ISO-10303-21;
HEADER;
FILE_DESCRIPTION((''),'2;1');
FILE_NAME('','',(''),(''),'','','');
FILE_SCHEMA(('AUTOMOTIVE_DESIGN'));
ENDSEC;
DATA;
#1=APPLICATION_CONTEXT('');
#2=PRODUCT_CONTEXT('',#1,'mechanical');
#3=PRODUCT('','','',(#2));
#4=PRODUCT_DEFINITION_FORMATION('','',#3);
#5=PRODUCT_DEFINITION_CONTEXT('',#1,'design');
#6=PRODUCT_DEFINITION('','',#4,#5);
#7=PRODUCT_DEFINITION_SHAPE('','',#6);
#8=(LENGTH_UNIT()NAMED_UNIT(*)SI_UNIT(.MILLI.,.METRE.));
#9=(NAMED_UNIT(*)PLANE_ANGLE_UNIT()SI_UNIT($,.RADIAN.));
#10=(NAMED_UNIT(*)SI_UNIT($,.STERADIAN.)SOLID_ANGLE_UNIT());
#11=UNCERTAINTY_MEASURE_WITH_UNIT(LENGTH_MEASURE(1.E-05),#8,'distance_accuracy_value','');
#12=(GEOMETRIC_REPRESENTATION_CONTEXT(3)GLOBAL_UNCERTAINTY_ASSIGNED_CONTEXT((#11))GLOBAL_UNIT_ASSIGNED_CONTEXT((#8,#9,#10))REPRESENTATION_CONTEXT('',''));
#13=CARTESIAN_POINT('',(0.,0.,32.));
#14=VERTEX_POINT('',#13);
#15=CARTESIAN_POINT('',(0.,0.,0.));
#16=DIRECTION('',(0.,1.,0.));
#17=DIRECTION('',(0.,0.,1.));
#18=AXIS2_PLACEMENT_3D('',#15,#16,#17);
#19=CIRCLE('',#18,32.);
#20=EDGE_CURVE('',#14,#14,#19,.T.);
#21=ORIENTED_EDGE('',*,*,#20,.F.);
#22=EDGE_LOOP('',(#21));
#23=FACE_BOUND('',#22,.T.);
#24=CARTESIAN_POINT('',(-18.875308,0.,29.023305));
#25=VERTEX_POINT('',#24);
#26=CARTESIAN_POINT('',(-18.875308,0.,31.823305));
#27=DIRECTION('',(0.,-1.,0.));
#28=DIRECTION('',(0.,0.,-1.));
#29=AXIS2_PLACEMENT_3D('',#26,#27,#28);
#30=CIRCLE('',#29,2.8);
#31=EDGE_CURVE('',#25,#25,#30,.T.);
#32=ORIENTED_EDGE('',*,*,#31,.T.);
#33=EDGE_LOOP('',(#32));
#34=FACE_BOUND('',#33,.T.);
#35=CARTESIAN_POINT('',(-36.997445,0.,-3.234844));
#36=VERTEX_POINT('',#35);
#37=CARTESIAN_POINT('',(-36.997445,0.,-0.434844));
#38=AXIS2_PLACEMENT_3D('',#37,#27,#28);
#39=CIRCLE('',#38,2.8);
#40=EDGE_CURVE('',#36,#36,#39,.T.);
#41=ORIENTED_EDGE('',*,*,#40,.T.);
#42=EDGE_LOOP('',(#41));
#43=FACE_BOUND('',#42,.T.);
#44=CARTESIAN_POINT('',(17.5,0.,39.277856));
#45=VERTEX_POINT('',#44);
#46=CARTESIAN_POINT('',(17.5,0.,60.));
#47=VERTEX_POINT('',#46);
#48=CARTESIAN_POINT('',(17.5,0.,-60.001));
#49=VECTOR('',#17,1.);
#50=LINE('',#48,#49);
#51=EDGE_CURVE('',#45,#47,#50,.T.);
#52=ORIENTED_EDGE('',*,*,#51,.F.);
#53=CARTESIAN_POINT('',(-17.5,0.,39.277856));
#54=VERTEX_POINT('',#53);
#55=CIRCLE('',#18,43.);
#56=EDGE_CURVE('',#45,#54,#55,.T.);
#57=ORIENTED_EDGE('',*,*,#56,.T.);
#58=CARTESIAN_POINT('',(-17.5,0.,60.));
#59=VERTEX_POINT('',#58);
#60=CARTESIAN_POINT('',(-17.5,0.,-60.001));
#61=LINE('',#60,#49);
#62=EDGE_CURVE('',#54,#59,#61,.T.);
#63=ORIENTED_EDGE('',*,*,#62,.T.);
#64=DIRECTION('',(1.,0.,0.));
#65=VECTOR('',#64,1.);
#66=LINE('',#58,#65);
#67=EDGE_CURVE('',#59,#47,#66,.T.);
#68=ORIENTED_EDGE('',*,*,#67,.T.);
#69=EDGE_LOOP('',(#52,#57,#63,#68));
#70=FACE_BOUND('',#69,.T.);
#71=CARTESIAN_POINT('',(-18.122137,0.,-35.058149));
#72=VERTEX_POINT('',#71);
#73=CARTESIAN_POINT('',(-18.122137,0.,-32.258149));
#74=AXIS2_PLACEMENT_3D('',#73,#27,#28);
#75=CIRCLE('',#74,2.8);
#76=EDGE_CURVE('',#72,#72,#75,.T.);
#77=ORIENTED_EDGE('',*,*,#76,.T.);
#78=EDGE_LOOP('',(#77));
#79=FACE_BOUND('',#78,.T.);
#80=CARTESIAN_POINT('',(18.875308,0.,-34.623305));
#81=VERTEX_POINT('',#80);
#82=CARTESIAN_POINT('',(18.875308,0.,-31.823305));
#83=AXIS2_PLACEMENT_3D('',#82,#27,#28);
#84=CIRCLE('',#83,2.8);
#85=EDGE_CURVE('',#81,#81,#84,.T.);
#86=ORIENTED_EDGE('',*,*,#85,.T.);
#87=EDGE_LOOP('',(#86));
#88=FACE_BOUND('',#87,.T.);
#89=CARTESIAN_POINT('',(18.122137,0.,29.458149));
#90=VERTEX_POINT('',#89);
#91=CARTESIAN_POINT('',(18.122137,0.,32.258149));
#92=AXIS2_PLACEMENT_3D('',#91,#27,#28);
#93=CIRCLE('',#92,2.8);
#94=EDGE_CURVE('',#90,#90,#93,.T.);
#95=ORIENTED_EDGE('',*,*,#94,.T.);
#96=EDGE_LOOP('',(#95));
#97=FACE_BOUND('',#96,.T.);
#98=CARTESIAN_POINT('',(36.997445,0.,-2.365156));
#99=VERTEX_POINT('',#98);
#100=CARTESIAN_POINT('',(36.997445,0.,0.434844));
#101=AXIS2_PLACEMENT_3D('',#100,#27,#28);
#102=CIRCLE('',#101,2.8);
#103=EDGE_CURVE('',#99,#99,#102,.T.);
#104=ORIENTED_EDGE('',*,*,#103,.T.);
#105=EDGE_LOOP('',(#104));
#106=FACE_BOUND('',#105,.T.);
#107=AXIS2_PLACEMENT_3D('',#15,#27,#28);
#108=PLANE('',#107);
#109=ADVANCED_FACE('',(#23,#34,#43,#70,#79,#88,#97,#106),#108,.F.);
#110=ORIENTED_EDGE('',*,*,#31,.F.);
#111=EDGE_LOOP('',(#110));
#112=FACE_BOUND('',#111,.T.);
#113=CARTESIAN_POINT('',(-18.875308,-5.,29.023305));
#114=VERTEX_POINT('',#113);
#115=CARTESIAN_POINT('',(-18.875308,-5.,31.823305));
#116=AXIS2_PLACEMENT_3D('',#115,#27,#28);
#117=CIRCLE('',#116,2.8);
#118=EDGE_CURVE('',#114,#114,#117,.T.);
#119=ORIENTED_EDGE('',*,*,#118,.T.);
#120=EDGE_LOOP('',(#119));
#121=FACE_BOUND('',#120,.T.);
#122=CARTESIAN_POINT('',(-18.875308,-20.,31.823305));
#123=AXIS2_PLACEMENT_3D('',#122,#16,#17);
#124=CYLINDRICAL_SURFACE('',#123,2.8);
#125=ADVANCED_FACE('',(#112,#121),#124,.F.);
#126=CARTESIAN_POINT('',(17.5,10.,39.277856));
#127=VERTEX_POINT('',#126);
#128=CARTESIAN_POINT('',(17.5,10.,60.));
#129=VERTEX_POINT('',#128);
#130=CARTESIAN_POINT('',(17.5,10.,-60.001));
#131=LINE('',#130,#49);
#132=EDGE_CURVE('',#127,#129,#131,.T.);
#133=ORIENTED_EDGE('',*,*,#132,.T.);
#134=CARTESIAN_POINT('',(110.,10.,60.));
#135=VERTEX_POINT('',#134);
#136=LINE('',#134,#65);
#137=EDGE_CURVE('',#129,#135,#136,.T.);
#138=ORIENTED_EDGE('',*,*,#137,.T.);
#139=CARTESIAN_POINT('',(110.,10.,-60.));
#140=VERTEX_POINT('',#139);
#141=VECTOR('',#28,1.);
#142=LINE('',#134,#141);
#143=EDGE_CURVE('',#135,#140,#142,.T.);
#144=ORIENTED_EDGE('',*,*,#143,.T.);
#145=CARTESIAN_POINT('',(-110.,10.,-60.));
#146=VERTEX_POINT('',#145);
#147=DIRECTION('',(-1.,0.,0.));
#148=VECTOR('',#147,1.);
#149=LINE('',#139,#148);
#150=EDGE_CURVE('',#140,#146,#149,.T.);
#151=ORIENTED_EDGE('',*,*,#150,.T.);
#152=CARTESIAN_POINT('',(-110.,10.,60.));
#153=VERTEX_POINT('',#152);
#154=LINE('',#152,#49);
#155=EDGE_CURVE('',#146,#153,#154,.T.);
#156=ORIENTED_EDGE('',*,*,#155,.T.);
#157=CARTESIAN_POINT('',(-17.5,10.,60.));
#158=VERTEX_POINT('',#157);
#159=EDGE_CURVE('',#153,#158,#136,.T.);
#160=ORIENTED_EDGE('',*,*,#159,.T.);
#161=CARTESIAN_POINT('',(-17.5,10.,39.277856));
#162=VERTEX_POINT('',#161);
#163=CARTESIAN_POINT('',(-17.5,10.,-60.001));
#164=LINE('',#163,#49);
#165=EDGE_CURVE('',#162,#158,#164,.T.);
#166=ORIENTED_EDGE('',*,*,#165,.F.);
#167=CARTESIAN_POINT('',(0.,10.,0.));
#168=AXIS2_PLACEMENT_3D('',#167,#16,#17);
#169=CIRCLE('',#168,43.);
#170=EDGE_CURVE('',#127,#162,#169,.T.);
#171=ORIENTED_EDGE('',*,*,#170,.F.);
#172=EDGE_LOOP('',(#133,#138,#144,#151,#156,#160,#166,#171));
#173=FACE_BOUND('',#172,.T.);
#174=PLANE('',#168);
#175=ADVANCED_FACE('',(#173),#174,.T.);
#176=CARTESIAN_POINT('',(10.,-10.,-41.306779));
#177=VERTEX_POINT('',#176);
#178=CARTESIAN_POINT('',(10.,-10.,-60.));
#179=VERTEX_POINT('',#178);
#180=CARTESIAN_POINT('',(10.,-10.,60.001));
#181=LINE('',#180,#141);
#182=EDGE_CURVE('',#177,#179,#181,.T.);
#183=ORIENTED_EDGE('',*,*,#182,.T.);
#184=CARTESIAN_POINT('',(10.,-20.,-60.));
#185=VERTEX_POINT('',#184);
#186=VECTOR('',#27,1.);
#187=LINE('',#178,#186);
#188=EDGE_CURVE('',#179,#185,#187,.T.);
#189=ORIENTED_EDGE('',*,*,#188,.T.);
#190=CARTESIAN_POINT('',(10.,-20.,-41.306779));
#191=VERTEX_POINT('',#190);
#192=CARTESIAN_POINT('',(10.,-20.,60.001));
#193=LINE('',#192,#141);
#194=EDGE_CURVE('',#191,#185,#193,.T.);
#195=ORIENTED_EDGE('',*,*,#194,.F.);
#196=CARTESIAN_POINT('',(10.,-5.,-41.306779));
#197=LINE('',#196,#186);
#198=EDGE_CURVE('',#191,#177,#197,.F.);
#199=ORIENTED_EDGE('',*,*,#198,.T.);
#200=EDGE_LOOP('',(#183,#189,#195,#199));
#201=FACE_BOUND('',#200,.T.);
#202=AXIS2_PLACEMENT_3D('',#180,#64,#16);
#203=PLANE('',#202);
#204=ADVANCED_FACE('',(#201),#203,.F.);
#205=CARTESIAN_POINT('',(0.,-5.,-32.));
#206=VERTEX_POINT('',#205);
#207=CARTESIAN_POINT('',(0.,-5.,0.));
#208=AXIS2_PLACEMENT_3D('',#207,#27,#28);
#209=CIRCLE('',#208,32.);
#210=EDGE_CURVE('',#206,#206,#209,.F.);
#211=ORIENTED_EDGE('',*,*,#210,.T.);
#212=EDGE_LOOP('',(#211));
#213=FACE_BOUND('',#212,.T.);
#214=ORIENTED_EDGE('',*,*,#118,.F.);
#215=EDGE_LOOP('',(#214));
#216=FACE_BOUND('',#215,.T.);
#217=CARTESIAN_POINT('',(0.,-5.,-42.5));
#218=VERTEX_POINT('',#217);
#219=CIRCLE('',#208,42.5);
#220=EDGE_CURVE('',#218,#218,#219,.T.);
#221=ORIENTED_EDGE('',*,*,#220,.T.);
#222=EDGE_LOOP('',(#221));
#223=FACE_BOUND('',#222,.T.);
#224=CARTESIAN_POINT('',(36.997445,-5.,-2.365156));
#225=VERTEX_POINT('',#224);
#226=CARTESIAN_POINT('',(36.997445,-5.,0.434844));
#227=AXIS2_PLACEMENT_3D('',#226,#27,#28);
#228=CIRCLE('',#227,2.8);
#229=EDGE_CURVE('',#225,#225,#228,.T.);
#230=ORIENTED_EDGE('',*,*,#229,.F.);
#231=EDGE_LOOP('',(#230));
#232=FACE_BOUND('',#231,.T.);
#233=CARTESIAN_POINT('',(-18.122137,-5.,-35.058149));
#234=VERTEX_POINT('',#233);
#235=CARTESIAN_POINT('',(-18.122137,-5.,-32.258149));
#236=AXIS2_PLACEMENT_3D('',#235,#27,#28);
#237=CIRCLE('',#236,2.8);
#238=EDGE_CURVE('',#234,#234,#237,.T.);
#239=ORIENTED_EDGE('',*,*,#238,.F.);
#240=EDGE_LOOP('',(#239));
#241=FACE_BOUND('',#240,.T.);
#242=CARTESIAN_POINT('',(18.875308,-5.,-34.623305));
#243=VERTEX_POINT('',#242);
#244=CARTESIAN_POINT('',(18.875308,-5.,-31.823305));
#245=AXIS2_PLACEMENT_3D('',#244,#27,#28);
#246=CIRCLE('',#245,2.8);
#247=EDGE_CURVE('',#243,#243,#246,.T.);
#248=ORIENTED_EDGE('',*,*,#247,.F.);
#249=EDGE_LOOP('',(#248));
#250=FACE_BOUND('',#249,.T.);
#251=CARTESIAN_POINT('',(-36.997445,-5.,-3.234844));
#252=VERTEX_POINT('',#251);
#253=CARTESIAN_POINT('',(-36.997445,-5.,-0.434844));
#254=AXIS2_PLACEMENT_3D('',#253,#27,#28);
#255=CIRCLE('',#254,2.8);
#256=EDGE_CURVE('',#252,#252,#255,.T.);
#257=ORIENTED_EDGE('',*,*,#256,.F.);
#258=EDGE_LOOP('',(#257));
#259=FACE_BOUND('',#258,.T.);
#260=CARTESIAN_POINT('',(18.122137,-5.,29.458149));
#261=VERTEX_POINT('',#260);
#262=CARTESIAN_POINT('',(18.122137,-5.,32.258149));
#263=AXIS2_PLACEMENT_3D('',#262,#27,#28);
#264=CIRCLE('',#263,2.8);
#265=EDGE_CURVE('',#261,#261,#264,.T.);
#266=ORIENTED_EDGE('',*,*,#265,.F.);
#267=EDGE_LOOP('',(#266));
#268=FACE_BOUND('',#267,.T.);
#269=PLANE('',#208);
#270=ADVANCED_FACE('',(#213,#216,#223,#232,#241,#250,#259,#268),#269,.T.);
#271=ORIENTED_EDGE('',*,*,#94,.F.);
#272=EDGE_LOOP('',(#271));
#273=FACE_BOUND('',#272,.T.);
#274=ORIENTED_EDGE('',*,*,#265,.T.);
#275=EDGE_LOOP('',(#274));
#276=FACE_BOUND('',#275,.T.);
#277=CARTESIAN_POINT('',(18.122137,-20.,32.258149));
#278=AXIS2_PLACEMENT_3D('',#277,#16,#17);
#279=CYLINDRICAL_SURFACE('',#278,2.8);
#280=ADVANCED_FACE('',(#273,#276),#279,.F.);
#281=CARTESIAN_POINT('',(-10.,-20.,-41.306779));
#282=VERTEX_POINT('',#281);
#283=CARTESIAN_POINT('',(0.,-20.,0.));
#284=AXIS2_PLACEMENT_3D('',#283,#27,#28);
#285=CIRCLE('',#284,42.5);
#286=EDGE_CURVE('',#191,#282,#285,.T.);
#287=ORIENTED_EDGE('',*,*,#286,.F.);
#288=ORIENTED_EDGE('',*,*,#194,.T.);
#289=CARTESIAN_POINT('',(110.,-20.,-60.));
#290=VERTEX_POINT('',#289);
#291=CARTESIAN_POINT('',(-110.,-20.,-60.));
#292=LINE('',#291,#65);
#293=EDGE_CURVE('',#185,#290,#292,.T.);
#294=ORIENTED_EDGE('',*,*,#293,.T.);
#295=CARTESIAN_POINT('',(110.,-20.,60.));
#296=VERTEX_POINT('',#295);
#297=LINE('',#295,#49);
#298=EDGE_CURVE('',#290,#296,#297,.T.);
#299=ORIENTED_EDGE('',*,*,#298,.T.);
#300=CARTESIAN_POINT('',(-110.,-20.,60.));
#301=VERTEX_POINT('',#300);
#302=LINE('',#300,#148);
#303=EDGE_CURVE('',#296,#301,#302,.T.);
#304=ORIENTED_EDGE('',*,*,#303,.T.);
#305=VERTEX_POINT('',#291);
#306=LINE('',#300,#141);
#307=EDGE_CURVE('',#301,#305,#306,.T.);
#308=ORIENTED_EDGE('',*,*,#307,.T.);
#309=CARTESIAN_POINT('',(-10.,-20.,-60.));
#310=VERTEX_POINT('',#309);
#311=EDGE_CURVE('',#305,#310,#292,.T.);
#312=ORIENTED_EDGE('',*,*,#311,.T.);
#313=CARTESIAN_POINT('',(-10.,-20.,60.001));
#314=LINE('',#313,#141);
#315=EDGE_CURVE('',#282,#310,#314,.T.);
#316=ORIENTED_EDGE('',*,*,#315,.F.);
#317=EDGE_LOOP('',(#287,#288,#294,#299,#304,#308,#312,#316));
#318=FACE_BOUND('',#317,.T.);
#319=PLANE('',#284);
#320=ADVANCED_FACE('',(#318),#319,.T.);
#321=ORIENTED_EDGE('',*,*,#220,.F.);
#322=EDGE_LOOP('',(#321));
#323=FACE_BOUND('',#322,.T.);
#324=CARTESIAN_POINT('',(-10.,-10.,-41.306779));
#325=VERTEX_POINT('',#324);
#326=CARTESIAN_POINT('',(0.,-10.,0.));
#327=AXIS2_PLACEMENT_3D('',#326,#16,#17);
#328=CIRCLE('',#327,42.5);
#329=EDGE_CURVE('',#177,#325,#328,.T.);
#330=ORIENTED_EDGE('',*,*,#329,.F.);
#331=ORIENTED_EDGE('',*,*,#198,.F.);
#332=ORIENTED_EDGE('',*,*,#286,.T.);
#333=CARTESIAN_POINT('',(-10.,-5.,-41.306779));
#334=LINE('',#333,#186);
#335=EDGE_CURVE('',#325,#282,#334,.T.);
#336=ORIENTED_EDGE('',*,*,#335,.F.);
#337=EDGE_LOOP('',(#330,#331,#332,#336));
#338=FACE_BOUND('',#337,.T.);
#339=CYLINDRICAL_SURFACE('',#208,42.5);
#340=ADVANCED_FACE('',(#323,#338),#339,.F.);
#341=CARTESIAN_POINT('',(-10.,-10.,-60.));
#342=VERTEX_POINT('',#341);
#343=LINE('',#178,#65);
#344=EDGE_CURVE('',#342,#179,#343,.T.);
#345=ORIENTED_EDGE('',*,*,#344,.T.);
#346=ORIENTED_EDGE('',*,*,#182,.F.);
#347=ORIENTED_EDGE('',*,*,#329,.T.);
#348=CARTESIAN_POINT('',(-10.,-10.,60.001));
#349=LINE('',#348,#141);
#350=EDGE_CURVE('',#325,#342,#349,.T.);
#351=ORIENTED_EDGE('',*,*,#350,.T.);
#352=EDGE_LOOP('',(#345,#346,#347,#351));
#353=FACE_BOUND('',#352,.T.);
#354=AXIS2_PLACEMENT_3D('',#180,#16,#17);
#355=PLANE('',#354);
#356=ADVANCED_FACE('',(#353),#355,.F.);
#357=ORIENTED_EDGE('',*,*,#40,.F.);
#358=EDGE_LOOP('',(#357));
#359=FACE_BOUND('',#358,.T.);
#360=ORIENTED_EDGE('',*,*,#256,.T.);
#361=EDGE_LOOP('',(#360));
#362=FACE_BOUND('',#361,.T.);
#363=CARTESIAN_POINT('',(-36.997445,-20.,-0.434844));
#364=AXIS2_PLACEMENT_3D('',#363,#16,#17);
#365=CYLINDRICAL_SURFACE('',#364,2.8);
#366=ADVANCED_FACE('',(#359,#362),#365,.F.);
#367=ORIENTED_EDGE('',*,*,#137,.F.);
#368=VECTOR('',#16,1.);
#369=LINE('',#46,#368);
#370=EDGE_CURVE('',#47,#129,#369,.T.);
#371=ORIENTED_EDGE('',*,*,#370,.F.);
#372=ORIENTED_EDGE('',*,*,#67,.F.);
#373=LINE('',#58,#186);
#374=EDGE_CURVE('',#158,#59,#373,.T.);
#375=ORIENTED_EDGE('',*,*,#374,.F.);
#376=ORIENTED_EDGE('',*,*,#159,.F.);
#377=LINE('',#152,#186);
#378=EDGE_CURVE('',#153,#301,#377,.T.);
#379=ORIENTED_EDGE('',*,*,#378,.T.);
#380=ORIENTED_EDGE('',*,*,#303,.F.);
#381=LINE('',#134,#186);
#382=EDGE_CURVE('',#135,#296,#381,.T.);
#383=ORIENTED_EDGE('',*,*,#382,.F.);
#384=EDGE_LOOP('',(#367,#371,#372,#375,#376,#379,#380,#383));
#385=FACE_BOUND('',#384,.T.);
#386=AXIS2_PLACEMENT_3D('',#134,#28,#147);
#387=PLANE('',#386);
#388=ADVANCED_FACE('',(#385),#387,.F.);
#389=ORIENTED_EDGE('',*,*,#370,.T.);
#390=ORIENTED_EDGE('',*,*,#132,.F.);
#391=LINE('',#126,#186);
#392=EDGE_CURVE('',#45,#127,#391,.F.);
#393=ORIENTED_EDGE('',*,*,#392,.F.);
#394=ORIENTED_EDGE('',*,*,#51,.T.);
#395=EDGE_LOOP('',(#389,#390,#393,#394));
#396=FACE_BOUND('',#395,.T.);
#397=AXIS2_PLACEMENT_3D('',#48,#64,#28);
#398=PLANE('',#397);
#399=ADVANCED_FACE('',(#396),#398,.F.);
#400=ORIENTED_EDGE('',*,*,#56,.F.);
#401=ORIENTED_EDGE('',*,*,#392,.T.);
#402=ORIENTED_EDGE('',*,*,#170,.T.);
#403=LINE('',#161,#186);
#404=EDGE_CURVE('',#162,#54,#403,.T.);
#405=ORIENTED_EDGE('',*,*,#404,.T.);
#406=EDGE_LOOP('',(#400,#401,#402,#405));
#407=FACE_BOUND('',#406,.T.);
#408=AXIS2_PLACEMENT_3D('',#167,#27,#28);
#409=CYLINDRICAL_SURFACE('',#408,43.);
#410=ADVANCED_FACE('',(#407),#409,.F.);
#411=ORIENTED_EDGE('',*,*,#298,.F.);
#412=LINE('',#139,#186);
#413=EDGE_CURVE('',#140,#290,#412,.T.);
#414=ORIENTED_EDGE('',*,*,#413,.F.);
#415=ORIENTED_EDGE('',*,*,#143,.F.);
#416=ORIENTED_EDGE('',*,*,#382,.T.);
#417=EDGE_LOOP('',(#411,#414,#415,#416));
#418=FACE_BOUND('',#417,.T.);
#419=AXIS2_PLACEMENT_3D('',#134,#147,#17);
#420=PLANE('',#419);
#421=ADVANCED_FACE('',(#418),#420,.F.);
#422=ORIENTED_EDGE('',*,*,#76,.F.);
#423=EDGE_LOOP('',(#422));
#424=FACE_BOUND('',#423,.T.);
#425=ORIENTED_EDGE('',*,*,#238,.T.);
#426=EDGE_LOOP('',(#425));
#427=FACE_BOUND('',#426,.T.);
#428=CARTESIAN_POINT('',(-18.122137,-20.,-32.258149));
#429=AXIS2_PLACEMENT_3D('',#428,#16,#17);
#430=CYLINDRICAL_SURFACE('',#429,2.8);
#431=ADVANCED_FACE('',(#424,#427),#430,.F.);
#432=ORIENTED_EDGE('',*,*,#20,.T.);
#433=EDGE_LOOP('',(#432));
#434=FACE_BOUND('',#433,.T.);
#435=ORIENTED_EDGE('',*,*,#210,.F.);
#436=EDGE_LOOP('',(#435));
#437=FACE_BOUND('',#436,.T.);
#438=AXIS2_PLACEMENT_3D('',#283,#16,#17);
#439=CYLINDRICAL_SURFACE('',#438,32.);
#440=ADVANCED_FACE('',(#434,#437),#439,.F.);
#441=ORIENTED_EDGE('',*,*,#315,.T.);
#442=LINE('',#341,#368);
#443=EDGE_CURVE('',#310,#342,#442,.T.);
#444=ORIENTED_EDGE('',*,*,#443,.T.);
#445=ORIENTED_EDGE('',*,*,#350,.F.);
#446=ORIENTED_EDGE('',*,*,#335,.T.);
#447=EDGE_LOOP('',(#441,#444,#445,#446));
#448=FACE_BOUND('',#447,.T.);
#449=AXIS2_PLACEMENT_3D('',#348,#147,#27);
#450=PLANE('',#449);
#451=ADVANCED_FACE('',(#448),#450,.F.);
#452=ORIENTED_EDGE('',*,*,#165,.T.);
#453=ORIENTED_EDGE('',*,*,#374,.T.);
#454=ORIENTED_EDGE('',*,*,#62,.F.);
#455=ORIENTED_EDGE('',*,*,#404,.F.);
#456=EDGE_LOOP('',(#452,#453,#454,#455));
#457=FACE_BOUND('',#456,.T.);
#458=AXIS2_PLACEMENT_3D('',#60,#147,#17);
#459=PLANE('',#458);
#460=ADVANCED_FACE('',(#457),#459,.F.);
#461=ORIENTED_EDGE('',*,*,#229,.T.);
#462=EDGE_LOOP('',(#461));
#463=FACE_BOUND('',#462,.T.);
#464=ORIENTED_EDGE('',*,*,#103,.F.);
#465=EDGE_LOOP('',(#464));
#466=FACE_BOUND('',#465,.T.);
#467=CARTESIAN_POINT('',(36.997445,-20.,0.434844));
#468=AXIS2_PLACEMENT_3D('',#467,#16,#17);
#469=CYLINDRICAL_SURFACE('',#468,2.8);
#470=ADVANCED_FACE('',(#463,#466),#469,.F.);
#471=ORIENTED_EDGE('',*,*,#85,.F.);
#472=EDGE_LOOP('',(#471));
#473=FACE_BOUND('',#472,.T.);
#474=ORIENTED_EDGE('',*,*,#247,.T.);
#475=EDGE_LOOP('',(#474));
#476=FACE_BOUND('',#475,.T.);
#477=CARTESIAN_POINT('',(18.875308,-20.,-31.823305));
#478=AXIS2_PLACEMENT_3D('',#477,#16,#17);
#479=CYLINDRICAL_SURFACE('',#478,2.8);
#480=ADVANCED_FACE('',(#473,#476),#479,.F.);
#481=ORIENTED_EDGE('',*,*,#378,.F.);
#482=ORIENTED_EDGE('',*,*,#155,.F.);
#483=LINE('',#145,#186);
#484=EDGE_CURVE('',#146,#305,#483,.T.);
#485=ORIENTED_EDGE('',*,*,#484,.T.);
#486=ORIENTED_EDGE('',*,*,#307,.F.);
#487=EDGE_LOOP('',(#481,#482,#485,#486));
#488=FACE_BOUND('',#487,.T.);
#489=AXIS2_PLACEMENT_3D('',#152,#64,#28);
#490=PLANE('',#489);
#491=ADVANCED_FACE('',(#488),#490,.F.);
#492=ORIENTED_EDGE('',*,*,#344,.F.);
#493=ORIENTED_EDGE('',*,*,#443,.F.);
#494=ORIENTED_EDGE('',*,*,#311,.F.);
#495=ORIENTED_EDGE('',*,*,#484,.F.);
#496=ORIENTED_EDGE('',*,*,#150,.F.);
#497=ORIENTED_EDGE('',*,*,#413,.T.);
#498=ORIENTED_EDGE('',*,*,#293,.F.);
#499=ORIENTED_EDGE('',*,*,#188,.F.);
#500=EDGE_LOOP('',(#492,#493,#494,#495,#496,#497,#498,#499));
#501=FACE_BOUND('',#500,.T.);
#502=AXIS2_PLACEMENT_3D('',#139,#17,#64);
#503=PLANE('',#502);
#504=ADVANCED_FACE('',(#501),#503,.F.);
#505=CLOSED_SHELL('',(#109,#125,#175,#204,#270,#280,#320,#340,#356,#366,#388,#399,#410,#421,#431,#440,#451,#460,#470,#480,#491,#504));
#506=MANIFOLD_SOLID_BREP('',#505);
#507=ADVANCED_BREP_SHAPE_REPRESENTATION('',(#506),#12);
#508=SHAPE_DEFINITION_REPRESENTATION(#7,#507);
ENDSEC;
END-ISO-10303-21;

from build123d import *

# Parameters (mm, degrees)
SKETCH1_W               = 220
SKETCH1_H               = 120
SKETCH1_R               = 43
BOSS_EXTRUDE1_DEPTH     = 10
SKETCH2_W               = 220
SKETCH2_H               = 120
SKETCH2_R               = 2.8
BOSS_EXTRUDE2_DEPTH     = 20
CUT_EXTRUDE1_REACH      = 166.012
CUT_EXTRUDE1_END_RADIUS = 43
SKETCH3_W               = 35
SKETCH3_H               = 10
SKETCH4_R               = 32
CUT_EXTRUDE2_DEPTH      = 127.885775404
CUT_EXTRUDE3_REACH      = 166.012
CUT_EXTRUDE3_END_RADIUS = 32
SKETCH5_W               = 20
SKETCH5_H               = 10
SKETCH6_R               = 42.5
CUT_EXTRUDE4_DEPTH      = 15


with BuildPart() as part:
    # Sketch1 → Boss-Extrude1 (new body)
    with BuildSketch(Plane(origin=(0, 0, 0), x_dir=(1, 0, 0), z_dir=(0, 1, 0))):
        Rectangle(SKETCH1_W, SKETCH1_H)
        with Locations(Location((0, 0, 0), (0, 0, 270))):
            Circle(SKETCH1_R, mode=Mode.SUBTRACT)
    extrude(amount=BOSS_EXTRUDE1_DEPTH)

    # Sketch2 → Boss-Extrude2 (add)
    with BuildSketch(Plane.XZ):
        Rectangle(SKETCH2_W, SKETCH2_H)
        with Locations(Location((18.122136771, 32.25814872, 0), (0, 0, 270))):
            Circle(SKETCH2_R, mode=Mode.SUBTRACT)
        with Locations(Location((36.997444656, 0.434843546, 0), (0, 0, 270))):
            Circle(SKETCH2_R, mode=Mode.SUBTRACT)
        with Locations(Location((18.875307886, -31.823305174, 0), (0, 0, 270))):
            Circle(SKETCH2_R, mode=Mode.SUBTRACT)
        with Locations(Location((-18.122136771, -32.25814872, 0), (0, 0, 270))):
            Circle(SKETCH2_R, mode=Mode.SUBTRACT)
        with Locations(Location((-36.997444656, -0.434843546, 0), (0, 0, 270))):
            Circle(SKETCH2_R, mode=Mode.SUBTRACT)
        with Locations(Location((-18.875307886, 31.823305174, 0), (0, 0, 270))):
            Circle(SKETCH2_R, mode=Mode.SUBTRACT)
    extrude(amount=BOSS_EXTRUDE2_DEPTH)

    # Cut-Extrude1: up to this cylinder (the profile starts outside it)
    cut_extrude1_end = Plane(origin=(0, 5, 0), z_dir=(0, -1, 0)) * Cylinder(CUT_EXTRUDE1_END_RADIUS, 419.024, mode=Mode.PRIVATE)
    # Sketch3 → Cut-Extrude1 (cut, up to the surface)
    with BuildSketch(Plane.XY.offset(60), mode=Mode.PRIVATE) as cut_extrude1_sk1:
        with Locations((0, 5)):
            Rectangle(SKETCH3_W, SKETCH3_H)
    cut_extrude1_tool1 = extrude(cut_extrude1_sk1.sketch, amount=-CUT_EXTRUDE1_REACH, mode=Mode.PRIVATE) - cut_extrude1_end
    add(cut_extrude1_tool1.solids().sort_by_distance((0, 5, 60))[0], mode=Mode.SUBTRACT)

    # Sketch4 → Cut-Extrude2 (cut, through all)
    with BuildSketch(Plane(origin=(0, 0, 0), x_dir=(1, 0, 0), z_dir=(0, 1, 0))):
        with Locations(Location((0, 0, 0), (0, 0, 270))):
            Circle(SKETCH4_R)
    extrude(amount=-CUT_EXTRUDE2_DEPTH, mode=Mode.SUBTRACT)

    # Cut-Extrude3: up to this cylinder (the profile starts outside it)
    cut_extrude3_end = Plane(origin=(0, -15, 0), z_dir=(0, 1, 0)) * Cylinder(CUT_EXTRUDE3_END_RADIUS, 397.024, mode=Mode.PRIVATE)
    # Sketch5 → Cut-Extrude3 (cut, up to the surface)
    with BuildSketch(Plane(origin=(0, 0, -60), x_dir=(-1, 0, 0), z_dir=(0, 0, -1)), mode=Mode.PRIVATE) as cut_extrude3_sk1:
        with Locations((0, -15)):
            Rectangle(SKETCH5_W, SKETCH5_H)
    cut_extrude3_tool1 = extrude(cut_extrude3_sk1.sketch, amount=-CUT_EXTRUDE3_REACH, mode=Mode.PRIVATE) - cut_extrude3_end
    add(cut_extrude3_tool1.solids().sort_by_distance((0, -15, -60))[0], mode=Mode.SUBTRACT)

    # Sketch6 → Cut-Extrude4 (cut)
    with BuildSketch(Plane.XZ.offset(20)):
        with Locations(Location((0, 0, 0), (0, 0, 270))):
            Circle(SKETCH6_R)
    extrude(amount=-CUT_EXTRUDE4_DEPTH, mode=Mode.SUBTRACT)


solid = part.part
